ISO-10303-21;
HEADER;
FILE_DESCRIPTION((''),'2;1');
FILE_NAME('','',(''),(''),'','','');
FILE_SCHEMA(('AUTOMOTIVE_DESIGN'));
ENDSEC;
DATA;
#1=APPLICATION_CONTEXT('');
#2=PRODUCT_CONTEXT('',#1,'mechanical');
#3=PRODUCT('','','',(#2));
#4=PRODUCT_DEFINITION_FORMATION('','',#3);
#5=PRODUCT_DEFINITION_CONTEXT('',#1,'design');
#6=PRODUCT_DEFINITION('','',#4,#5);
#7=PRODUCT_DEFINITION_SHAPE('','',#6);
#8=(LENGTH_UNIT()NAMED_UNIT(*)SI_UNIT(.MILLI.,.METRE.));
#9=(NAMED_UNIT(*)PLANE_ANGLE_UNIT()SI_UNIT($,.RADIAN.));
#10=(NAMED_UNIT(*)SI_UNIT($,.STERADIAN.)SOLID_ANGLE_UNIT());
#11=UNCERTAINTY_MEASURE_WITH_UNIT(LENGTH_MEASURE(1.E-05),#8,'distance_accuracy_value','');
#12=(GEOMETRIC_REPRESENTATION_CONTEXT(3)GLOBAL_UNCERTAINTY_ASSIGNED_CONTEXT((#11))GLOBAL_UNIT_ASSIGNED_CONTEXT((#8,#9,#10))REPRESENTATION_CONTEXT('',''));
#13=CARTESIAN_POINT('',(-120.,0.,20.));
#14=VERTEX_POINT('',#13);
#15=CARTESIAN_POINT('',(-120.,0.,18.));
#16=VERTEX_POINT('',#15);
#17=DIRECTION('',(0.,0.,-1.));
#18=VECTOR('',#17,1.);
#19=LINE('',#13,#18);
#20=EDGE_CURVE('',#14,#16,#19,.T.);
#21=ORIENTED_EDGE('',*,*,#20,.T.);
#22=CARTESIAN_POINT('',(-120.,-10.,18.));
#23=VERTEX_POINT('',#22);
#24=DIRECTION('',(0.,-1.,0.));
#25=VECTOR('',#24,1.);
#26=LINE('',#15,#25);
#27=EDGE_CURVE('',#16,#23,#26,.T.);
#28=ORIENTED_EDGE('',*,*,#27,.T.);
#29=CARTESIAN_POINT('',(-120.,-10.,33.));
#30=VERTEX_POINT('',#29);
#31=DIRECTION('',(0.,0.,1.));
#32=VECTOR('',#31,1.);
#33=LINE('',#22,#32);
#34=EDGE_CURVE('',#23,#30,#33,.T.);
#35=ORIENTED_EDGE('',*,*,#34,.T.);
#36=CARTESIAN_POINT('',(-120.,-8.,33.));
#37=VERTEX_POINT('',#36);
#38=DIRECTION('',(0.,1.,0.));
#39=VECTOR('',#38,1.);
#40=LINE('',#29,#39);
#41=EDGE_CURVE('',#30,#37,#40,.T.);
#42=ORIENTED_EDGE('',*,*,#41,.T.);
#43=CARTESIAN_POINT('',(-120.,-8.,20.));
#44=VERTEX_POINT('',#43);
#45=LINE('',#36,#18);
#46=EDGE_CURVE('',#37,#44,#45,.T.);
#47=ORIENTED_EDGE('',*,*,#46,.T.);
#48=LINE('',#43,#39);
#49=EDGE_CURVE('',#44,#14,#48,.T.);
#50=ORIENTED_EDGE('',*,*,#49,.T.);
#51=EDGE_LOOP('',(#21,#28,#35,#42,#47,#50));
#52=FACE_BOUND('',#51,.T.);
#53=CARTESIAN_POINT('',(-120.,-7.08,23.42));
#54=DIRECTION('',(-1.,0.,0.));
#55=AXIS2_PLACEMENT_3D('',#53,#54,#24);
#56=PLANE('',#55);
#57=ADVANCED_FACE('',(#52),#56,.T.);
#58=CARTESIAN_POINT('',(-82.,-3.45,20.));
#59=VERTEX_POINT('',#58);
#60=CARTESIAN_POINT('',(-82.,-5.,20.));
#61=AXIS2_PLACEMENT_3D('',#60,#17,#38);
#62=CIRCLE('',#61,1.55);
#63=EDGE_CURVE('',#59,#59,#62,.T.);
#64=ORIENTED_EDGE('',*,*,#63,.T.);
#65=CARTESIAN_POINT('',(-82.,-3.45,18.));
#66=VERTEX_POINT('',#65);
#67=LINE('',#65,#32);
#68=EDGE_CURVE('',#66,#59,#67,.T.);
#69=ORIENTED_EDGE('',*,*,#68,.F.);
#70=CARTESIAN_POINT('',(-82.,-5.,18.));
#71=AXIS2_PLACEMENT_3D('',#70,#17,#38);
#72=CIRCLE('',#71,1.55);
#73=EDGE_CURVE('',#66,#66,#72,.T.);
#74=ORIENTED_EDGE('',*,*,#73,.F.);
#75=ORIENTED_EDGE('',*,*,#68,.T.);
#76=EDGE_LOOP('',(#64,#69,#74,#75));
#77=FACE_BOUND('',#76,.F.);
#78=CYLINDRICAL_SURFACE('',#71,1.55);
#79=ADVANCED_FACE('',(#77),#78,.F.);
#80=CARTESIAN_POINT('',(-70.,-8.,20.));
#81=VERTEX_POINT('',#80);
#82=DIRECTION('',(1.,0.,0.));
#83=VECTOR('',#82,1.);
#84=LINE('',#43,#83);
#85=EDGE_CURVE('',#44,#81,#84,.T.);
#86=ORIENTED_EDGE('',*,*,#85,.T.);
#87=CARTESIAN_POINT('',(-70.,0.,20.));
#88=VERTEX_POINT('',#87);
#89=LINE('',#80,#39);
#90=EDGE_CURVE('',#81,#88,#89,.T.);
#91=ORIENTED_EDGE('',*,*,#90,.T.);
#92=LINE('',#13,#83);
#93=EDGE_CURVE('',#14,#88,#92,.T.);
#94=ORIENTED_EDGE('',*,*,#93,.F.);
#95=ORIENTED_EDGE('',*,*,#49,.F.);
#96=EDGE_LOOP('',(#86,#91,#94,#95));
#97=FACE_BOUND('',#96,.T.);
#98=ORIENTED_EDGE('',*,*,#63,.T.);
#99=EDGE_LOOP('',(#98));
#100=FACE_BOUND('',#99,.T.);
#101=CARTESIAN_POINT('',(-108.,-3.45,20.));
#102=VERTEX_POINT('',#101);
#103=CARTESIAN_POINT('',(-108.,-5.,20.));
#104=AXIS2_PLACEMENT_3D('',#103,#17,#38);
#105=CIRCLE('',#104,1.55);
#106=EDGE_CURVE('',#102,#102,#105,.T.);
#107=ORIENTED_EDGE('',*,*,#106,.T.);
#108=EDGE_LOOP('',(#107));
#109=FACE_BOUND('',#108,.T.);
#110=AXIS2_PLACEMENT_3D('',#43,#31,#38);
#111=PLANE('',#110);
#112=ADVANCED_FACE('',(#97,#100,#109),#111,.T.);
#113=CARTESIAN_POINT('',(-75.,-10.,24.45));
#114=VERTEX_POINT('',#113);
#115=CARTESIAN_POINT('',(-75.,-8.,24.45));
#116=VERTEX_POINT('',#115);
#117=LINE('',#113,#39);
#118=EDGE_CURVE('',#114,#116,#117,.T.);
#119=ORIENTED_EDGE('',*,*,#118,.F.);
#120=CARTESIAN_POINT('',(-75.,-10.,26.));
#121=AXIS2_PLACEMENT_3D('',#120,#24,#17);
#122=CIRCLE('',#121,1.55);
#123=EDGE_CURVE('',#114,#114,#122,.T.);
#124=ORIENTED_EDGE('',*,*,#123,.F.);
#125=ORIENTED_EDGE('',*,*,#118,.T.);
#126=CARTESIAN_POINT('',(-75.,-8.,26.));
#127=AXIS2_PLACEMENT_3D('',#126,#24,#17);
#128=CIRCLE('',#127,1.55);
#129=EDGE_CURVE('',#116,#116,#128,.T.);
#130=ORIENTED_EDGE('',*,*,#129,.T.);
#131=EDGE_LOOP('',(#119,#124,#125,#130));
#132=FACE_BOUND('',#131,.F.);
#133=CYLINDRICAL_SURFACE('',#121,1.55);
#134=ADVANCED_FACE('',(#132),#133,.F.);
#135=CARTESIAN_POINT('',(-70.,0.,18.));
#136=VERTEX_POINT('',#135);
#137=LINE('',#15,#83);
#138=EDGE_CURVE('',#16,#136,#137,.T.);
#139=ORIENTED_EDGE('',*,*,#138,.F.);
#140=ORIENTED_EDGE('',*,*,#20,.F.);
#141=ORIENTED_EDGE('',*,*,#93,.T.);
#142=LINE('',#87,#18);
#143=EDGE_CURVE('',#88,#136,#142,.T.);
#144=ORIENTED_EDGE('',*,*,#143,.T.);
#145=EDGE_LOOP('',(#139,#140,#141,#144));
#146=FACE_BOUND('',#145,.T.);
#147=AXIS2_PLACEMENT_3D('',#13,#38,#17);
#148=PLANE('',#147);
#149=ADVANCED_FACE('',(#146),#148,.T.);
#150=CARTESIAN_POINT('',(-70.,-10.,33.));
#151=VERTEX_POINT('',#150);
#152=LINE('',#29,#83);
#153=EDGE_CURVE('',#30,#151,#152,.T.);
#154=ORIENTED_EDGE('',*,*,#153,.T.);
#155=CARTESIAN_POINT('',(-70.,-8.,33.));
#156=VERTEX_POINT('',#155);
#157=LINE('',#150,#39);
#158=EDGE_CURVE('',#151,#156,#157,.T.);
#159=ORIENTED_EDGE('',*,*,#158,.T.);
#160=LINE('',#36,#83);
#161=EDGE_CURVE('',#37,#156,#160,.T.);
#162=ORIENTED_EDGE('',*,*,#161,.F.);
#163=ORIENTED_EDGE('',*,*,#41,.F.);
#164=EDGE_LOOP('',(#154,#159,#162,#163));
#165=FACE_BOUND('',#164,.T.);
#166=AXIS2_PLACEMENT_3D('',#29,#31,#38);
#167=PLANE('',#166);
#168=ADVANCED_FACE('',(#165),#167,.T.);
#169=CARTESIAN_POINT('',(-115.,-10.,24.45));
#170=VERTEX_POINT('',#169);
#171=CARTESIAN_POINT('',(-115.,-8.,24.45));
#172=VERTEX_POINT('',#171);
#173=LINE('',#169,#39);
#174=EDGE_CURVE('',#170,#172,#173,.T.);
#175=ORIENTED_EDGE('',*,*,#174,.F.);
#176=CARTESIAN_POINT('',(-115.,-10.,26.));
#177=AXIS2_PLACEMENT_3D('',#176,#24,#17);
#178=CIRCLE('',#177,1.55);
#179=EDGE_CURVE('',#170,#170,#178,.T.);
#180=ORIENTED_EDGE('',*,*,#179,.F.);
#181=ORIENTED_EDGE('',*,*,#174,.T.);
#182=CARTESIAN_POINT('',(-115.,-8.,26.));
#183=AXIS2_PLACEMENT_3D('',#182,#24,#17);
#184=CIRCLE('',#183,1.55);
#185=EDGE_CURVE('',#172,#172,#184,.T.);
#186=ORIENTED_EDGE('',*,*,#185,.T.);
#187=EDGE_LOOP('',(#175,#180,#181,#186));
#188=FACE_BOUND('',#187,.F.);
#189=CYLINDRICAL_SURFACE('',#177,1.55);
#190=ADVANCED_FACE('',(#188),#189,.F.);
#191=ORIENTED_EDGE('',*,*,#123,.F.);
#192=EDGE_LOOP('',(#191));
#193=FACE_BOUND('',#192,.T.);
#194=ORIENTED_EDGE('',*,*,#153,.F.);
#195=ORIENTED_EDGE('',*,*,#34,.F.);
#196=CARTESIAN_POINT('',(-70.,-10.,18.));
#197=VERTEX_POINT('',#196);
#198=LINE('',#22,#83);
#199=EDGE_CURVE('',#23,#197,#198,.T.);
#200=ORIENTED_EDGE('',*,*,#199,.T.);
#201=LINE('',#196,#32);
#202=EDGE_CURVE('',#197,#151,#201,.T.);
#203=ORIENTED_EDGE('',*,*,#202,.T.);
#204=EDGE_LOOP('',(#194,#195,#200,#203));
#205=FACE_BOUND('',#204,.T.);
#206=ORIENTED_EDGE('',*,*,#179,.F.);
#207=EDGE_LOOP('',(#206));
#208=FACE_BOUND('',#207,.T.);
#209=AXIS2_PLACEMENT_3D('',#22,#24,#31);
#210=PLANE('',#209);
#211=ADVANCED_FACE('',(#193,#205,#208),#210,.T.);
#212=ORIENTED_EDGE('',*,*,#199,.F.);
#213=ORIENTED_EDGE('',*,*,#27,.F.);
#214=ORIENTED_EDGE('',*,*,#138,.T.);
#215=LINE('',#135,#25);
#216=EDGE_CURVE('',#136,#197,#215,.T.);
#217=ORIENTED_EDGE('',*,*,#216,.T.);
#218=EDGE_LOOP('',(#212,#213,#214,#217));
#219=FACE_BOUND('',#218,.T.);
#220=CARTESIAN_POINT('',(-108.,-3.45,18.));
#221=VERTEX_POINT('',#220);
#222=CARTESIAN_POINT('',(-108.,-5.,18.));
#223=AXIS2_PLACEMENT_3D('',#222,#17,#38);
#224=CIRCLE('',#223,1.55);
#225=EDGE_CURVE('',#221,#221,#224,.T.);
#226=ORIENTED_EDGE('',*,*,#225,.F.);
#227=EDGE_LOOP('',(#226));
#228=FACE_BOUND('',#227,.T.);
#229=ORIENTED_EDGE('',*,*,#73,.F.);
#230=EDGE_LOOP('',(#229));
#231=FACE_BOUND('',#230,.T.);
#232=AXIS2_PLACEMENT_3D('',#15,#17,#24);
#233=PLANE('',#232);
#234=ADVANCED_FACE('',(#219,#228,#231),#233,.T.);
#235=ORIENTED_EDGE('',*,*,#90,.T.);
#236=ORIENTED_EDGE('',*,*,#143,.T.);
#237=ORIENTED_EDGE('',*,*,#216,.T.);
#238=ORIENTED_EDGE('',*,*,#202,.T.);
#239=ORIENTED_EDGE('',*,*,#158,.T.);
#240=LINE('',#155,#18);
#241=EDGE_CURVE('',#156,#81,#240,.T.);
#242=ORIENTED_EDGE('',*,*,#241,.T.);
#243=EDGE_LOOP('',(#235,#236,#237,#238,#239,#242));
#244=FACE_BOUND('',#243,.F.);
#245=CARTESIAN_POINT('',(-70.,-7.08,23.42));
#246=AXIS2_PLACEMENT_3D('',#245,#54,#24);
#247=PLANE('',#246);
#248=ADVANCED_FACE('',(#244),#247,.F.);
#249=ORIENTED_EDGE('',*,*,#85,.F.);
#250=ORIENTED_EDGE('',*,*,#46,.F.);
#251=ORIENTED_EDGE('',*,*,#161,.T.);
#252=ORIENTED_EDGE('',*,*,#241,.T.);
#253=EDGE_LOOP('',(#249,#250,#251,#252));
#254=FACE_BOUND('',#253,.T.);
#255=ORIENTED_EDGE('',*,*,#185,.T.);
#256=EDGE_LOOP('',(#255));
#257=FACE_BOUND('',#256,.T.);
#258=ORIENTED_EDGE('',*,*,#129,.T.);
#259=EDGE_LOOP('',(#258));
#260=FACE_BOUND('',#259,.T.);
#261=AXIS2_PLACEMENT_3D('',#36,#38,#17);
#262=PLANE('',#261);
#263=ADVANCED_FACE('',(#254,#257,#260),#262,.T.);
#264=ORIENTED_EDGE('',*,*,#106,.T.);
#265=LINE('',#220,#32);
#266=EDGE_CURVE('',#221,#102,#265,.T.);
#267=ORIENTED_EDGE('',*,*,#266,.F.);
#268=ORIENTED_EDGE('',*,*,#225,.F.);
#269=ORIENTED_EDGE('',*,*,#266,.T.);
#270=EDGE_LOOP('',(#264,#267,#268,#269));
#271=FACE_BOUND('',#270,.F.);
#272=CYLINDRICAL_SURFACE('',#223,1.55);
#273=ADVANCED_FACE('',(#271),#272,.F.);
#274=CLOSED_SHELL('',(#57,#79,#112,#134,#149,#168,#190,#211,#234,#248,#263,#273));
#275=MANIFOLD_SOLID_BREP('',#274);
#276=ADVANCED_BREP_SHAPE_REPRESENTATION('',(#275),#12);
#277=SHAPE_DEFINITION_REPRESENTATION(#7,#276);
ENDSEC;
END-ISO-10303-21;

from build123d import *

# Parameters (mm, degrees)
PAD043_DEPTH    = 50
SKETCH249_R     = 1.55
POCKET206_DEPTH = 15.001
SKETCH250_R     = 1.55
POCKET207_DEPTH = 10.001


with BuildPart() as part:
    # Sketch248 → Pad043 (new body)
    with BuildSketch(Plane.YZ):
        Polygon((0, 0), (0, 15), (2, 15), (2, 2), (10, 2), (10, 0), align=None)
    extrude(amount=PAD043_DEPTH)

    # Sketch249 (on Face6 of Pad043) → Pocket206 (cut, through all)
    with BuildSketch(Plane.YX):
        with Locations((5, 38)):
            Circle(SKETCH249_R)
        with Locations((5, 12)):
            Circle(SKETCH249_R)
    extrude(amount=-POCKET206_DEPTH, mode=Mode.SUBTRACT)

    # Sketch250 (on Face1 of Pocket206) → Pocket207 (cut, through all)
    with BuildSketch(Plane(origin=(0, 0, 0), x_dir=(0, 0, -1), z_dir=(0, -1, 0))):
        with Locations((-8, 45)):
            Circle(SKETCH250_R)
        with Locations((-8, 5)):
            Circle(SKETCH250_R)
    extrude(amount=-POCKET207_DEPTH, mode=Mode.SUBTRACT)


with BuildPart() as part_1:
    # Body044 placement: moved
    add(part.part.moved(Location((-120, -10, 18))))


solid = part_1.part
